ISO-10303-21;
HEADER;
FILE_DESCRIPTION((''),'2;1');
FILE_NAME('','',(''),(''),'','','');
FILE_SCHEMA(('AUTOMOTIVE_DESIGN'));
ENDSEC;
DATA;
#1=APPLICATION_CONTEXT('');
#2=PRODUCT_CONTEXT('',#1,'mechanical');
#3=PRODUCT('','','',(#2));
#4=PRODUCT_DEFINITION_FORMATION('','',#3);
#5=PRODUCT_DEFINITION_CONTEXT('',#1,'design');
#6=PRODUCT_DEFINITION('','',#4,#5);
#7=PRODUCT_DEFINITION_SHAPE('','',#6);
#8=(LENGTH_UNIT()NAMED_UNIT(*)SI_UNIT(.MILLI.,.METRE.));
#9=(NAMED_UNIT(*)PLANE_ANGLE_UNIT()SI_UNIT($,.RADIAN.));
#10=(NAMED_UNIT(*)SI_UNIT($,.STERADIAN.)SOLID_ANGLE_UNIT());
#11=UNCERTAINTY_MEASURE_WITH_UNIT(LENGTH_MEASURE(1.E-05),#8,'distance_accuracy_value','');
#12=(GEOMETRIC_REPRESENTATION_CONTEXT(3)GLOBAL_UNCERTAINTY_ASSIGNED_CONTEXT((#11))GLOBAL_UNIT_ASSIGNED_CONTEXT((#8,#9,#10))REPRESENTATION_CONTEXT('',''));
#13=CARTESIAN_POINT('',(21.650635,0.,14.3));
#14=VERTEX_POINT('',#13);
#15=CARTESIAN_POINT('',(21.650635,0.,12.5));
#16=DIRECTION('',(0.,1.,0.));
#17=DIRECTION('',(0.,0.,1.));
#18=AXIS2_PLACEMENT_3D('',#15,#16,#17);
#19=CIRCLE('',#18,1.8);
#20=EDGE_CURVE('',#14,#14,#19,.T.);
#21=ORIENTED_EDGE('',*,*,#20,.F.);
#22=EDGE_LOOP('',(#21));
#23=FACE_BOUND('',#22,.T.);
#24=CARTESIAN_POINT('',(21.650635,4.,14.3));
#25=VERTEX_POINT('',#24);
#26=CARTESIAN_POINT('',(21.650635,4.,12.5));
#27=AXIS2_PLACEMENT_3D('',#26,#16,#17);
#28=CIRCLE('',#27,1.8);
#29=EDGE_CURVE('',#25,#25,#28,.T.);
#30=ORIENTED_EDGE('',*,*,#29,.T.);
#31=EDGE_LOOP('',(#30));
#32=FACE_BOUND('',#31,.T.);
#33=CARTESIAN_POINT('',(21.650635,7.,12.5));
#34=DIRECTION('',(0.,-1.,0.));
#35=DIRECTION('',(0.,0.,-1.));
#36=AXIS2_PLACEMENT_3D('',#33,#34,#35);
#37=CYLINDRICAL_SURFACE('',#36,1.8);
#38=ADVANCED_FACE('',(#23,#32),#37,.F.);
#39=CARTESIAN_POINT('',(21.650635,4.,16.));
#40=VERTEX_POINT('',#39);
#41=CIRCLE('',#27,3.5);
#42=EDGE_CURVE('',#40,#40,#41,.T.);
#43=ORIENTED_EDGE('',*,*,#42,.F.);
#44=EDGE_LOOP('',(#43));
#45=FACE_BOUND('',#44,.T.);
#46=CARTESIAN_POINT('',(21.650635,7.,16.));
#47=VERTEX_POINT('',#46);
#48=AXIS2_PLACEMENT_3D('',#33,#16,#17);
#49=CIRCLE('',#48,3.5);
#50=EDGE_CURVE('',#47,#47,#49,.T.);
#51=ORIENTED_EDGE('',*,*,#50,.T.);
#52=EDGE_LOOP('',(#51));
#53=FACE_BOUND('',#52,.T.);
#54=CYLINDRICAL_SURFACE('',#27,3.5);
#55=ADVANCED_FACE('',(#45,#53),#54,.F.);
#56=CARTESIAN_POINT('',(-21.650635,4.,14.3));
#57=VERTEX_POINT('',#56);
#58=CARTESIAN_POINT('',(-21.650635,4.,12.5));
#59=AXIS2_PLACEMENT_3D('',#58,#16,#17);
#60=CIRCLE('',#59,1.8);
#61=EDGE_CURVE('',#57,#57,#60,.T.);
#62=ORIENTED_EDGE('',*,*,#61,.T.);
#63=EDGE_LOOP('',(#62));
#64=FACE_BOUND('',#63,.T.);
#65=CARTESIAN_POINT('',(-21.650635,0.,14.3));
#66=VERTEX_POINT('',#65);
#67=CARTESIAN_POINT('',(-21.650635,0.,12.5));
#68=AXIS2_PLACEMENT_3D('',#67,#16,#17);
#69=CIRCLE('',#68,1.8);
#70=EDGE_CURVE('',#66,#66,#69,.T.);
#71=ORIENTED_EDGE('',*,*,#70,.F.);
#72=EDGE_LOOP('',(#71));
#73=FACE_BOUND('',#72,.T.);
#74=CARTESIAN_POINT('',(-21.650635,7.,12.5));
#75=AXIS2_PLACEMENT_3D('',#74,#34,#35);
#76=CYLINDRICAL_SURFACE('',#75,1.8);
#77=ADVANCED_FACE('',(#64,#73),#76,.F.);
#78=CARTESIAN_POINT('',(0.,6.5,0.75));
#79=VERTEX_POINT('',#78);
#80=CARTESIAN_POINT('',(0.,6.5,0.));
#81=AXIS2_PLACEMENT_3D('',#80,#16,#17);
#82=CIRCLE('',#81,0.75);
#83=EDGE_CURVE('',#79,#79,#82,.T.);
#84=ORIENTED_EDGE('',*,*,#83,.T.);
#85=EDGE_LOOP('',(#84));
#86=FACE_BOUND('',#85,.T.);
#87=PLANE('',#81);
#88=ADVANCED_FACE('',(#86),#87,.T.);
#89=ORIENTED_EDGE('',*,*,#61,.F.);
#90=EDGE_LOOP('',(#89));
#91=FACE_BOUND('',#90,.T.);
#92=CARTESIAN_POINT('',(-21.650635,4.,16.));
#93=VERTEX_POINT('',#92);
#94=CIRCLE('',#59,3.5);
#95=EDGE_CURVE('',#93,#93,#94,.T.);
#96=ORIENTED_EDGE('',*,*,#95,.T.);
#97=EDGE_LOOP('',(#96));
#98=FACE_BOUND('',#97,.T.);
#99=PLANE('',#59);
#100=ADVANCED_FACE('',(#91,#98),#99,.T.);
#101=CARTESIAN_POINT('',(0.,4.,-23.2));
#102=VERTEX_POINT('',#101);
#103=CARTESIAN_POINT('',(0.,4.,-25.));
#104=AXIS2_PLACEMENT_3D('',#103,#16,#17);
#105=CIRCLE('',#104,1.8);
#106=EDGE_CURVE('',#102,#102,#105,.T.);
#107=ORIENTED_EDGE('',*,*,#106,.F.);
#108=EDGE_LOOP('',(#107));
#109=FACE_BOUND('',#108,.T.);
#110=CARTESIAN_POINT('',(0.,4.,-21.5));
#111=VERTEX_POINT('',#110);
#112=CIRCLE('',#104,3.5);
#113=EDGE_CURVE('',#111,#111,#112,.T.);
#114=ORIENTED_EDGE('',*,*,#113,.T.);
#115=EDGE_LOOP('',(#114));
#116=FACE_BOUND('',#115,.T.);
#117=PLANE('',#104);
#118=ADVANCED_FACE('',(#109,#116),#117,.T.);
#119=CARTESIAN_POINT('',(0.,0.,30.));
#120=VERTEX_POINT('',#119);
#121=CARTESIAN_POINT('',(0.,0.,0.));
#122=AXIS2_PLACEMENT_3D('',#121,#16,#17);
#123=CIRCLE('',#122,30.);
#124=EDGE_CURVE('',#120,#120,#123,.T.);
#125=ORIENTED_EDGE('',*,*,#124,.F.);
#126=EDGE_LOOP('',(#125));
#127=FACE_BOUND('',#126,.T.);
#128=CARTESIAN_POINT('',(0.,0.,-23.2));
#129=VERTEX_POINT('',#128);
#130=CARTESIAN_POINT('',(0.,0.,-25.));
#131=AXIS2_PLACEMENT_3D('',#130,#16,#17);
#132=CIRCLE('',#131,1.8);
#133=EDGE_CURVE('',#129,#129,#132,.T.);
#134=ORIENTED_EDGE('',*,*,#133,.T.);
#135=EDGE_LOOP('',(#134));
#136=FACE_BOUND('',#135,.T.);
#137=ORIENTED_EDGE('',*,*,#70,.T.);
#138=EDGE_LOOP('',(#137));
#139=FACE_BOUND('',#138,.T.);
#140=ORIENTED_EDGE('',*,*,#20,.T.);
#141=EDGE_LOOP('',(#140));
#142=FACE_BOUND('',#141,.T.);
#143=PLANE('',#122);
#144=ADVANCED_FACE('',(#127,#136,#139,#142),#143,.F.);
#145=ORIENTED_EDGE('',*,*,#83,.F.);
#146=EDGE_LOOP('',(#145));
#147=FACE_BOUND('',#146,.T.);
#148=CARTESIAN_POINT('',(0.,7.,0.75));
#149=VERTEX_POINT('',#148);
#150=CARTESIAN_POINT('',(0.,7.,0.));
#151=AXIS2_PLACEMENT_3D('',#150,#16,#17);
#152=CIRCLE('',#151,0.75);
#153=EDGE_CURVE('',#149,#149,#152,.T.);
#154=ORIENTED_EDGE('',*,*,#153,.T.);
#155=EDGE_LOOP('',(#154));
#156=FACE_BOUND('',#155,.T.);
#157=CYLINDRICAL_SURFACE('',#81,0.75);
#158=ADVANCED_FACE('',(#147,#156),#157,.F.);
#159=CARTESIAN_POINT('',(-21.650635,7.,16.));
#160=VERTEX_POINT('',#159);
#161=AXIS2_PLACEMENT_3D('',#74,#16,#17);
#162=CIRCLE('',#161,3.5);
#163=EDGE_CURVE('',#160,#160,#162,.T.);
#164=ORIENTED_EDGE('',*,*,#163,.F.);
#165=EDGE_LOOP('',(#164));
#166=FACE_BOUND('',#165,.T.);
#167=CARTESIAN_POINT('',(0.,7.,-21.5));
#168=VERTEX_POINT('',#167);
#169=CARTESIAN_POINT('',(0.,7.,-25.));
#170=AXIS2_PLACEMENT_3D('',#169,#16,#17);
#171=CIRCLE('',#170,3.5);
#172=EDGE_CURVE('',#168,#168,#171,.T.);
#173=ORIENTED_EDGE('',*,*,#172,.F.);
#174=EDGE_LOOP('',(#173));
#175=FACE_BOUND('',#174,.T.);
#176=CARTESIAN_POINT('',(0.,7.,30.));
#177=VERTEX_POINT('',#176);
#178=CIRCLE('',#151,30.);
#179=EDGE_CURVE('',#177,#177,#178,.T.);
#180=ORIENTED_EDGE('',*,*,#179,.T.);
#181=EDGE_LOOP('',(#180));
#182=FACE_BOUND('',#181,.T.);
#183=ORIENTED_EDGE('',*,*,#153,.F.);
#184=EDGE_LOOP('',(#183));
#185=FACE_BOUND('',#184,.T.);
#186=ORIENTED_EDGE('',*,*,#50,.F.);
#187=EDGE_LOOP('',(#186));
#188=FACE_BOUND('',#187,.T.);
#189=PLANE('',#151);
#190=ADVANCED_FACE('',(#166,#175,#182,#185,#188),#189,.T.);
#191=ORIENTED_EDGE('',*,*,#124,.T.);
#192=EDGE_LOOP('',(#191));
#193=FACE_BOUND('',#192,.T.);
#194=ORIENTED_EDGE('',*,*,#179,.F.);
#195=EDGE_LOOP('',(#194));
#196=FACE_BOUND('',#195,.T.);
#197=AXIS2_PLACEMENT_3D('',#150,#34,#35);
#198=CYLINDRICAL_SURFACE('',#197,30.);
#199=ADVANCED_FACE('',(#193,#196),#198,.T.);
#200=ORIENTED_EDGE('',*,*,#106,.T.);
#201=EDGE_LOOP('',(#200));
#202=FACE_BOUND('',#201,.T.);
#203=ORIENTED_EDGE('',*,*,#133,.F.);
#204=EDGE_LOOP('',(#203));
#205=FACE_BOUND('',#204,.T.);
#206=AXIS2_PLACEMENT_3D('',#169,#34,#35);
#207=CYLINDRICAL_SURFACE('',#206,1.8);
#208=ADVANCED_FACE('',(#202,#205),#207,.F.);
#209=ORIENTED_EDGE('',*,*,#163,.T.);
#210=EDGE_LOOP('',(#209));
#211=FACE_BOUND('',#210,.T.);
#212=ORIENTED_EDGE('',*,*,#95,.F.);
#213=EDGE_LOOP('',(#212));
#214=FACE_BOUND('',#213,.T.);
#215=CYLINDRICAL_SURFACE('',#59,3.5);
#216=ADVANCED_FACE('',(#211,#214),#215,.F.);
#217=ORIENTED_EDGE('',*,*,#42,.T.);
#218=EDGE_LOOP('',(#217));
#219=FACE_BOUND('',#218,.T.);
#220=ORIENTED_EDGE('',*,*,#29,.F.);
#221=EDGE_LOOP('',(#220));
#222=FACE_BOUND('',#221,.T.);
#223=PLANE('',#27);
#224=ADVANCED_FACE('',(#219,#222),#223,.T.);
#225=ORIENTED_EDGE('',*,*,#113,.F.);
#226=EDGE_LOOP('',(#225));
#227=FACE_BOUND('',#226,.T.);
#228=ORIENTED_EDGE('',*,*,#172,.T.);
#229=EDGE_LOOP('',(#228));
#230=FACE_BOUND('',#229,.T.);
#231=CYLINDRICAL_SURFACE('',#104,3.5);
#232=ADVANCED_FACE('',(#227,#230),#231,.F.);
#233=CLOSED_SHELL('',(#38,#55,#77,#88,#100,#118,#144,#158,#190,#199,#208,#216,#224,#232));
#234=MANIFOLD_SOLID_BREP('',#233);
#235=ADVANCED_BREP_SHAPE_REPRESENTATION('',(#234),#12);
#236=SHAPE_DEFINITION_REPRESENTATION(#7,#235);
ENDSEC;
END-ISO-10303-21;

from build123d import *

# Parameters (mm, degrees)
SKETCH1_R           = 30
SKETCH1_R_2         = 1.8
BOSS_EXTRUDE1_DEPTH = 7
SKETCH2_R           = 3.5
CUT_EXTRUDE1_DEPTH  = 3
SKETCH3_R           = 0.75
CUT_EXTRUDE2_DEPTH  = 0.5


with BuildPart() as part:
    # Sketch1 → Boss-Extrude1 (new body)
    with BuildSketch(Plane(origin=(0, 0, 0), x_dir=(1, 0, 0), z_dir=(0, 1, 0))):
        Circle(SKETCH1_R)
        with Locations((0, 25)):
            Circle(SKETCH1_R_2, mode=Mode.SUBTRACT)
        with Locations((21.650635095, -12.5)):
            Circle(SKETCH1_R_2, mode=Mode.SUBTRACT)
        with Locations((-21.650635095, -12.5)):
            Circle(SKETCH1_R_2, mode=Mode.SUBTRACT)
    extrude(amount=BOSS_EXTRUDE1_DEPTH)

    # Sketch2 → Cut-Extrude1 (cut)
    with BuildSketch(Plane(origin=(0, 7, 0), x_dir=(1, 0, 0), z_dir=(0, 1, 0))):
        with Locations((0, 25)):
            Circle(SKETCH2_R)
        with Locations((21.650635095, -12.5)):
            Circle(SKETCH2_R)
        with Locations((-21.650635095, -12.5)):
            Circle(SKETCH2_R)
    extrude(amount=-CUT_EXTRUDE1_DEPTH, mode=Mode.SUBTRACT)

    # Sketch3 → Cut-Extrude2 (cut)
    with BuildSketch(Plane(origin=(0, 7, 0), x_dir=(1, 0, 0), z_dir=(0, 1, 0))):
        Circle(SKETCH3_R)
    extrude(amount=-CUT_EXTRUDE2_DEPTH, mode=Mode.SUBTRACT)


solid = part.part
